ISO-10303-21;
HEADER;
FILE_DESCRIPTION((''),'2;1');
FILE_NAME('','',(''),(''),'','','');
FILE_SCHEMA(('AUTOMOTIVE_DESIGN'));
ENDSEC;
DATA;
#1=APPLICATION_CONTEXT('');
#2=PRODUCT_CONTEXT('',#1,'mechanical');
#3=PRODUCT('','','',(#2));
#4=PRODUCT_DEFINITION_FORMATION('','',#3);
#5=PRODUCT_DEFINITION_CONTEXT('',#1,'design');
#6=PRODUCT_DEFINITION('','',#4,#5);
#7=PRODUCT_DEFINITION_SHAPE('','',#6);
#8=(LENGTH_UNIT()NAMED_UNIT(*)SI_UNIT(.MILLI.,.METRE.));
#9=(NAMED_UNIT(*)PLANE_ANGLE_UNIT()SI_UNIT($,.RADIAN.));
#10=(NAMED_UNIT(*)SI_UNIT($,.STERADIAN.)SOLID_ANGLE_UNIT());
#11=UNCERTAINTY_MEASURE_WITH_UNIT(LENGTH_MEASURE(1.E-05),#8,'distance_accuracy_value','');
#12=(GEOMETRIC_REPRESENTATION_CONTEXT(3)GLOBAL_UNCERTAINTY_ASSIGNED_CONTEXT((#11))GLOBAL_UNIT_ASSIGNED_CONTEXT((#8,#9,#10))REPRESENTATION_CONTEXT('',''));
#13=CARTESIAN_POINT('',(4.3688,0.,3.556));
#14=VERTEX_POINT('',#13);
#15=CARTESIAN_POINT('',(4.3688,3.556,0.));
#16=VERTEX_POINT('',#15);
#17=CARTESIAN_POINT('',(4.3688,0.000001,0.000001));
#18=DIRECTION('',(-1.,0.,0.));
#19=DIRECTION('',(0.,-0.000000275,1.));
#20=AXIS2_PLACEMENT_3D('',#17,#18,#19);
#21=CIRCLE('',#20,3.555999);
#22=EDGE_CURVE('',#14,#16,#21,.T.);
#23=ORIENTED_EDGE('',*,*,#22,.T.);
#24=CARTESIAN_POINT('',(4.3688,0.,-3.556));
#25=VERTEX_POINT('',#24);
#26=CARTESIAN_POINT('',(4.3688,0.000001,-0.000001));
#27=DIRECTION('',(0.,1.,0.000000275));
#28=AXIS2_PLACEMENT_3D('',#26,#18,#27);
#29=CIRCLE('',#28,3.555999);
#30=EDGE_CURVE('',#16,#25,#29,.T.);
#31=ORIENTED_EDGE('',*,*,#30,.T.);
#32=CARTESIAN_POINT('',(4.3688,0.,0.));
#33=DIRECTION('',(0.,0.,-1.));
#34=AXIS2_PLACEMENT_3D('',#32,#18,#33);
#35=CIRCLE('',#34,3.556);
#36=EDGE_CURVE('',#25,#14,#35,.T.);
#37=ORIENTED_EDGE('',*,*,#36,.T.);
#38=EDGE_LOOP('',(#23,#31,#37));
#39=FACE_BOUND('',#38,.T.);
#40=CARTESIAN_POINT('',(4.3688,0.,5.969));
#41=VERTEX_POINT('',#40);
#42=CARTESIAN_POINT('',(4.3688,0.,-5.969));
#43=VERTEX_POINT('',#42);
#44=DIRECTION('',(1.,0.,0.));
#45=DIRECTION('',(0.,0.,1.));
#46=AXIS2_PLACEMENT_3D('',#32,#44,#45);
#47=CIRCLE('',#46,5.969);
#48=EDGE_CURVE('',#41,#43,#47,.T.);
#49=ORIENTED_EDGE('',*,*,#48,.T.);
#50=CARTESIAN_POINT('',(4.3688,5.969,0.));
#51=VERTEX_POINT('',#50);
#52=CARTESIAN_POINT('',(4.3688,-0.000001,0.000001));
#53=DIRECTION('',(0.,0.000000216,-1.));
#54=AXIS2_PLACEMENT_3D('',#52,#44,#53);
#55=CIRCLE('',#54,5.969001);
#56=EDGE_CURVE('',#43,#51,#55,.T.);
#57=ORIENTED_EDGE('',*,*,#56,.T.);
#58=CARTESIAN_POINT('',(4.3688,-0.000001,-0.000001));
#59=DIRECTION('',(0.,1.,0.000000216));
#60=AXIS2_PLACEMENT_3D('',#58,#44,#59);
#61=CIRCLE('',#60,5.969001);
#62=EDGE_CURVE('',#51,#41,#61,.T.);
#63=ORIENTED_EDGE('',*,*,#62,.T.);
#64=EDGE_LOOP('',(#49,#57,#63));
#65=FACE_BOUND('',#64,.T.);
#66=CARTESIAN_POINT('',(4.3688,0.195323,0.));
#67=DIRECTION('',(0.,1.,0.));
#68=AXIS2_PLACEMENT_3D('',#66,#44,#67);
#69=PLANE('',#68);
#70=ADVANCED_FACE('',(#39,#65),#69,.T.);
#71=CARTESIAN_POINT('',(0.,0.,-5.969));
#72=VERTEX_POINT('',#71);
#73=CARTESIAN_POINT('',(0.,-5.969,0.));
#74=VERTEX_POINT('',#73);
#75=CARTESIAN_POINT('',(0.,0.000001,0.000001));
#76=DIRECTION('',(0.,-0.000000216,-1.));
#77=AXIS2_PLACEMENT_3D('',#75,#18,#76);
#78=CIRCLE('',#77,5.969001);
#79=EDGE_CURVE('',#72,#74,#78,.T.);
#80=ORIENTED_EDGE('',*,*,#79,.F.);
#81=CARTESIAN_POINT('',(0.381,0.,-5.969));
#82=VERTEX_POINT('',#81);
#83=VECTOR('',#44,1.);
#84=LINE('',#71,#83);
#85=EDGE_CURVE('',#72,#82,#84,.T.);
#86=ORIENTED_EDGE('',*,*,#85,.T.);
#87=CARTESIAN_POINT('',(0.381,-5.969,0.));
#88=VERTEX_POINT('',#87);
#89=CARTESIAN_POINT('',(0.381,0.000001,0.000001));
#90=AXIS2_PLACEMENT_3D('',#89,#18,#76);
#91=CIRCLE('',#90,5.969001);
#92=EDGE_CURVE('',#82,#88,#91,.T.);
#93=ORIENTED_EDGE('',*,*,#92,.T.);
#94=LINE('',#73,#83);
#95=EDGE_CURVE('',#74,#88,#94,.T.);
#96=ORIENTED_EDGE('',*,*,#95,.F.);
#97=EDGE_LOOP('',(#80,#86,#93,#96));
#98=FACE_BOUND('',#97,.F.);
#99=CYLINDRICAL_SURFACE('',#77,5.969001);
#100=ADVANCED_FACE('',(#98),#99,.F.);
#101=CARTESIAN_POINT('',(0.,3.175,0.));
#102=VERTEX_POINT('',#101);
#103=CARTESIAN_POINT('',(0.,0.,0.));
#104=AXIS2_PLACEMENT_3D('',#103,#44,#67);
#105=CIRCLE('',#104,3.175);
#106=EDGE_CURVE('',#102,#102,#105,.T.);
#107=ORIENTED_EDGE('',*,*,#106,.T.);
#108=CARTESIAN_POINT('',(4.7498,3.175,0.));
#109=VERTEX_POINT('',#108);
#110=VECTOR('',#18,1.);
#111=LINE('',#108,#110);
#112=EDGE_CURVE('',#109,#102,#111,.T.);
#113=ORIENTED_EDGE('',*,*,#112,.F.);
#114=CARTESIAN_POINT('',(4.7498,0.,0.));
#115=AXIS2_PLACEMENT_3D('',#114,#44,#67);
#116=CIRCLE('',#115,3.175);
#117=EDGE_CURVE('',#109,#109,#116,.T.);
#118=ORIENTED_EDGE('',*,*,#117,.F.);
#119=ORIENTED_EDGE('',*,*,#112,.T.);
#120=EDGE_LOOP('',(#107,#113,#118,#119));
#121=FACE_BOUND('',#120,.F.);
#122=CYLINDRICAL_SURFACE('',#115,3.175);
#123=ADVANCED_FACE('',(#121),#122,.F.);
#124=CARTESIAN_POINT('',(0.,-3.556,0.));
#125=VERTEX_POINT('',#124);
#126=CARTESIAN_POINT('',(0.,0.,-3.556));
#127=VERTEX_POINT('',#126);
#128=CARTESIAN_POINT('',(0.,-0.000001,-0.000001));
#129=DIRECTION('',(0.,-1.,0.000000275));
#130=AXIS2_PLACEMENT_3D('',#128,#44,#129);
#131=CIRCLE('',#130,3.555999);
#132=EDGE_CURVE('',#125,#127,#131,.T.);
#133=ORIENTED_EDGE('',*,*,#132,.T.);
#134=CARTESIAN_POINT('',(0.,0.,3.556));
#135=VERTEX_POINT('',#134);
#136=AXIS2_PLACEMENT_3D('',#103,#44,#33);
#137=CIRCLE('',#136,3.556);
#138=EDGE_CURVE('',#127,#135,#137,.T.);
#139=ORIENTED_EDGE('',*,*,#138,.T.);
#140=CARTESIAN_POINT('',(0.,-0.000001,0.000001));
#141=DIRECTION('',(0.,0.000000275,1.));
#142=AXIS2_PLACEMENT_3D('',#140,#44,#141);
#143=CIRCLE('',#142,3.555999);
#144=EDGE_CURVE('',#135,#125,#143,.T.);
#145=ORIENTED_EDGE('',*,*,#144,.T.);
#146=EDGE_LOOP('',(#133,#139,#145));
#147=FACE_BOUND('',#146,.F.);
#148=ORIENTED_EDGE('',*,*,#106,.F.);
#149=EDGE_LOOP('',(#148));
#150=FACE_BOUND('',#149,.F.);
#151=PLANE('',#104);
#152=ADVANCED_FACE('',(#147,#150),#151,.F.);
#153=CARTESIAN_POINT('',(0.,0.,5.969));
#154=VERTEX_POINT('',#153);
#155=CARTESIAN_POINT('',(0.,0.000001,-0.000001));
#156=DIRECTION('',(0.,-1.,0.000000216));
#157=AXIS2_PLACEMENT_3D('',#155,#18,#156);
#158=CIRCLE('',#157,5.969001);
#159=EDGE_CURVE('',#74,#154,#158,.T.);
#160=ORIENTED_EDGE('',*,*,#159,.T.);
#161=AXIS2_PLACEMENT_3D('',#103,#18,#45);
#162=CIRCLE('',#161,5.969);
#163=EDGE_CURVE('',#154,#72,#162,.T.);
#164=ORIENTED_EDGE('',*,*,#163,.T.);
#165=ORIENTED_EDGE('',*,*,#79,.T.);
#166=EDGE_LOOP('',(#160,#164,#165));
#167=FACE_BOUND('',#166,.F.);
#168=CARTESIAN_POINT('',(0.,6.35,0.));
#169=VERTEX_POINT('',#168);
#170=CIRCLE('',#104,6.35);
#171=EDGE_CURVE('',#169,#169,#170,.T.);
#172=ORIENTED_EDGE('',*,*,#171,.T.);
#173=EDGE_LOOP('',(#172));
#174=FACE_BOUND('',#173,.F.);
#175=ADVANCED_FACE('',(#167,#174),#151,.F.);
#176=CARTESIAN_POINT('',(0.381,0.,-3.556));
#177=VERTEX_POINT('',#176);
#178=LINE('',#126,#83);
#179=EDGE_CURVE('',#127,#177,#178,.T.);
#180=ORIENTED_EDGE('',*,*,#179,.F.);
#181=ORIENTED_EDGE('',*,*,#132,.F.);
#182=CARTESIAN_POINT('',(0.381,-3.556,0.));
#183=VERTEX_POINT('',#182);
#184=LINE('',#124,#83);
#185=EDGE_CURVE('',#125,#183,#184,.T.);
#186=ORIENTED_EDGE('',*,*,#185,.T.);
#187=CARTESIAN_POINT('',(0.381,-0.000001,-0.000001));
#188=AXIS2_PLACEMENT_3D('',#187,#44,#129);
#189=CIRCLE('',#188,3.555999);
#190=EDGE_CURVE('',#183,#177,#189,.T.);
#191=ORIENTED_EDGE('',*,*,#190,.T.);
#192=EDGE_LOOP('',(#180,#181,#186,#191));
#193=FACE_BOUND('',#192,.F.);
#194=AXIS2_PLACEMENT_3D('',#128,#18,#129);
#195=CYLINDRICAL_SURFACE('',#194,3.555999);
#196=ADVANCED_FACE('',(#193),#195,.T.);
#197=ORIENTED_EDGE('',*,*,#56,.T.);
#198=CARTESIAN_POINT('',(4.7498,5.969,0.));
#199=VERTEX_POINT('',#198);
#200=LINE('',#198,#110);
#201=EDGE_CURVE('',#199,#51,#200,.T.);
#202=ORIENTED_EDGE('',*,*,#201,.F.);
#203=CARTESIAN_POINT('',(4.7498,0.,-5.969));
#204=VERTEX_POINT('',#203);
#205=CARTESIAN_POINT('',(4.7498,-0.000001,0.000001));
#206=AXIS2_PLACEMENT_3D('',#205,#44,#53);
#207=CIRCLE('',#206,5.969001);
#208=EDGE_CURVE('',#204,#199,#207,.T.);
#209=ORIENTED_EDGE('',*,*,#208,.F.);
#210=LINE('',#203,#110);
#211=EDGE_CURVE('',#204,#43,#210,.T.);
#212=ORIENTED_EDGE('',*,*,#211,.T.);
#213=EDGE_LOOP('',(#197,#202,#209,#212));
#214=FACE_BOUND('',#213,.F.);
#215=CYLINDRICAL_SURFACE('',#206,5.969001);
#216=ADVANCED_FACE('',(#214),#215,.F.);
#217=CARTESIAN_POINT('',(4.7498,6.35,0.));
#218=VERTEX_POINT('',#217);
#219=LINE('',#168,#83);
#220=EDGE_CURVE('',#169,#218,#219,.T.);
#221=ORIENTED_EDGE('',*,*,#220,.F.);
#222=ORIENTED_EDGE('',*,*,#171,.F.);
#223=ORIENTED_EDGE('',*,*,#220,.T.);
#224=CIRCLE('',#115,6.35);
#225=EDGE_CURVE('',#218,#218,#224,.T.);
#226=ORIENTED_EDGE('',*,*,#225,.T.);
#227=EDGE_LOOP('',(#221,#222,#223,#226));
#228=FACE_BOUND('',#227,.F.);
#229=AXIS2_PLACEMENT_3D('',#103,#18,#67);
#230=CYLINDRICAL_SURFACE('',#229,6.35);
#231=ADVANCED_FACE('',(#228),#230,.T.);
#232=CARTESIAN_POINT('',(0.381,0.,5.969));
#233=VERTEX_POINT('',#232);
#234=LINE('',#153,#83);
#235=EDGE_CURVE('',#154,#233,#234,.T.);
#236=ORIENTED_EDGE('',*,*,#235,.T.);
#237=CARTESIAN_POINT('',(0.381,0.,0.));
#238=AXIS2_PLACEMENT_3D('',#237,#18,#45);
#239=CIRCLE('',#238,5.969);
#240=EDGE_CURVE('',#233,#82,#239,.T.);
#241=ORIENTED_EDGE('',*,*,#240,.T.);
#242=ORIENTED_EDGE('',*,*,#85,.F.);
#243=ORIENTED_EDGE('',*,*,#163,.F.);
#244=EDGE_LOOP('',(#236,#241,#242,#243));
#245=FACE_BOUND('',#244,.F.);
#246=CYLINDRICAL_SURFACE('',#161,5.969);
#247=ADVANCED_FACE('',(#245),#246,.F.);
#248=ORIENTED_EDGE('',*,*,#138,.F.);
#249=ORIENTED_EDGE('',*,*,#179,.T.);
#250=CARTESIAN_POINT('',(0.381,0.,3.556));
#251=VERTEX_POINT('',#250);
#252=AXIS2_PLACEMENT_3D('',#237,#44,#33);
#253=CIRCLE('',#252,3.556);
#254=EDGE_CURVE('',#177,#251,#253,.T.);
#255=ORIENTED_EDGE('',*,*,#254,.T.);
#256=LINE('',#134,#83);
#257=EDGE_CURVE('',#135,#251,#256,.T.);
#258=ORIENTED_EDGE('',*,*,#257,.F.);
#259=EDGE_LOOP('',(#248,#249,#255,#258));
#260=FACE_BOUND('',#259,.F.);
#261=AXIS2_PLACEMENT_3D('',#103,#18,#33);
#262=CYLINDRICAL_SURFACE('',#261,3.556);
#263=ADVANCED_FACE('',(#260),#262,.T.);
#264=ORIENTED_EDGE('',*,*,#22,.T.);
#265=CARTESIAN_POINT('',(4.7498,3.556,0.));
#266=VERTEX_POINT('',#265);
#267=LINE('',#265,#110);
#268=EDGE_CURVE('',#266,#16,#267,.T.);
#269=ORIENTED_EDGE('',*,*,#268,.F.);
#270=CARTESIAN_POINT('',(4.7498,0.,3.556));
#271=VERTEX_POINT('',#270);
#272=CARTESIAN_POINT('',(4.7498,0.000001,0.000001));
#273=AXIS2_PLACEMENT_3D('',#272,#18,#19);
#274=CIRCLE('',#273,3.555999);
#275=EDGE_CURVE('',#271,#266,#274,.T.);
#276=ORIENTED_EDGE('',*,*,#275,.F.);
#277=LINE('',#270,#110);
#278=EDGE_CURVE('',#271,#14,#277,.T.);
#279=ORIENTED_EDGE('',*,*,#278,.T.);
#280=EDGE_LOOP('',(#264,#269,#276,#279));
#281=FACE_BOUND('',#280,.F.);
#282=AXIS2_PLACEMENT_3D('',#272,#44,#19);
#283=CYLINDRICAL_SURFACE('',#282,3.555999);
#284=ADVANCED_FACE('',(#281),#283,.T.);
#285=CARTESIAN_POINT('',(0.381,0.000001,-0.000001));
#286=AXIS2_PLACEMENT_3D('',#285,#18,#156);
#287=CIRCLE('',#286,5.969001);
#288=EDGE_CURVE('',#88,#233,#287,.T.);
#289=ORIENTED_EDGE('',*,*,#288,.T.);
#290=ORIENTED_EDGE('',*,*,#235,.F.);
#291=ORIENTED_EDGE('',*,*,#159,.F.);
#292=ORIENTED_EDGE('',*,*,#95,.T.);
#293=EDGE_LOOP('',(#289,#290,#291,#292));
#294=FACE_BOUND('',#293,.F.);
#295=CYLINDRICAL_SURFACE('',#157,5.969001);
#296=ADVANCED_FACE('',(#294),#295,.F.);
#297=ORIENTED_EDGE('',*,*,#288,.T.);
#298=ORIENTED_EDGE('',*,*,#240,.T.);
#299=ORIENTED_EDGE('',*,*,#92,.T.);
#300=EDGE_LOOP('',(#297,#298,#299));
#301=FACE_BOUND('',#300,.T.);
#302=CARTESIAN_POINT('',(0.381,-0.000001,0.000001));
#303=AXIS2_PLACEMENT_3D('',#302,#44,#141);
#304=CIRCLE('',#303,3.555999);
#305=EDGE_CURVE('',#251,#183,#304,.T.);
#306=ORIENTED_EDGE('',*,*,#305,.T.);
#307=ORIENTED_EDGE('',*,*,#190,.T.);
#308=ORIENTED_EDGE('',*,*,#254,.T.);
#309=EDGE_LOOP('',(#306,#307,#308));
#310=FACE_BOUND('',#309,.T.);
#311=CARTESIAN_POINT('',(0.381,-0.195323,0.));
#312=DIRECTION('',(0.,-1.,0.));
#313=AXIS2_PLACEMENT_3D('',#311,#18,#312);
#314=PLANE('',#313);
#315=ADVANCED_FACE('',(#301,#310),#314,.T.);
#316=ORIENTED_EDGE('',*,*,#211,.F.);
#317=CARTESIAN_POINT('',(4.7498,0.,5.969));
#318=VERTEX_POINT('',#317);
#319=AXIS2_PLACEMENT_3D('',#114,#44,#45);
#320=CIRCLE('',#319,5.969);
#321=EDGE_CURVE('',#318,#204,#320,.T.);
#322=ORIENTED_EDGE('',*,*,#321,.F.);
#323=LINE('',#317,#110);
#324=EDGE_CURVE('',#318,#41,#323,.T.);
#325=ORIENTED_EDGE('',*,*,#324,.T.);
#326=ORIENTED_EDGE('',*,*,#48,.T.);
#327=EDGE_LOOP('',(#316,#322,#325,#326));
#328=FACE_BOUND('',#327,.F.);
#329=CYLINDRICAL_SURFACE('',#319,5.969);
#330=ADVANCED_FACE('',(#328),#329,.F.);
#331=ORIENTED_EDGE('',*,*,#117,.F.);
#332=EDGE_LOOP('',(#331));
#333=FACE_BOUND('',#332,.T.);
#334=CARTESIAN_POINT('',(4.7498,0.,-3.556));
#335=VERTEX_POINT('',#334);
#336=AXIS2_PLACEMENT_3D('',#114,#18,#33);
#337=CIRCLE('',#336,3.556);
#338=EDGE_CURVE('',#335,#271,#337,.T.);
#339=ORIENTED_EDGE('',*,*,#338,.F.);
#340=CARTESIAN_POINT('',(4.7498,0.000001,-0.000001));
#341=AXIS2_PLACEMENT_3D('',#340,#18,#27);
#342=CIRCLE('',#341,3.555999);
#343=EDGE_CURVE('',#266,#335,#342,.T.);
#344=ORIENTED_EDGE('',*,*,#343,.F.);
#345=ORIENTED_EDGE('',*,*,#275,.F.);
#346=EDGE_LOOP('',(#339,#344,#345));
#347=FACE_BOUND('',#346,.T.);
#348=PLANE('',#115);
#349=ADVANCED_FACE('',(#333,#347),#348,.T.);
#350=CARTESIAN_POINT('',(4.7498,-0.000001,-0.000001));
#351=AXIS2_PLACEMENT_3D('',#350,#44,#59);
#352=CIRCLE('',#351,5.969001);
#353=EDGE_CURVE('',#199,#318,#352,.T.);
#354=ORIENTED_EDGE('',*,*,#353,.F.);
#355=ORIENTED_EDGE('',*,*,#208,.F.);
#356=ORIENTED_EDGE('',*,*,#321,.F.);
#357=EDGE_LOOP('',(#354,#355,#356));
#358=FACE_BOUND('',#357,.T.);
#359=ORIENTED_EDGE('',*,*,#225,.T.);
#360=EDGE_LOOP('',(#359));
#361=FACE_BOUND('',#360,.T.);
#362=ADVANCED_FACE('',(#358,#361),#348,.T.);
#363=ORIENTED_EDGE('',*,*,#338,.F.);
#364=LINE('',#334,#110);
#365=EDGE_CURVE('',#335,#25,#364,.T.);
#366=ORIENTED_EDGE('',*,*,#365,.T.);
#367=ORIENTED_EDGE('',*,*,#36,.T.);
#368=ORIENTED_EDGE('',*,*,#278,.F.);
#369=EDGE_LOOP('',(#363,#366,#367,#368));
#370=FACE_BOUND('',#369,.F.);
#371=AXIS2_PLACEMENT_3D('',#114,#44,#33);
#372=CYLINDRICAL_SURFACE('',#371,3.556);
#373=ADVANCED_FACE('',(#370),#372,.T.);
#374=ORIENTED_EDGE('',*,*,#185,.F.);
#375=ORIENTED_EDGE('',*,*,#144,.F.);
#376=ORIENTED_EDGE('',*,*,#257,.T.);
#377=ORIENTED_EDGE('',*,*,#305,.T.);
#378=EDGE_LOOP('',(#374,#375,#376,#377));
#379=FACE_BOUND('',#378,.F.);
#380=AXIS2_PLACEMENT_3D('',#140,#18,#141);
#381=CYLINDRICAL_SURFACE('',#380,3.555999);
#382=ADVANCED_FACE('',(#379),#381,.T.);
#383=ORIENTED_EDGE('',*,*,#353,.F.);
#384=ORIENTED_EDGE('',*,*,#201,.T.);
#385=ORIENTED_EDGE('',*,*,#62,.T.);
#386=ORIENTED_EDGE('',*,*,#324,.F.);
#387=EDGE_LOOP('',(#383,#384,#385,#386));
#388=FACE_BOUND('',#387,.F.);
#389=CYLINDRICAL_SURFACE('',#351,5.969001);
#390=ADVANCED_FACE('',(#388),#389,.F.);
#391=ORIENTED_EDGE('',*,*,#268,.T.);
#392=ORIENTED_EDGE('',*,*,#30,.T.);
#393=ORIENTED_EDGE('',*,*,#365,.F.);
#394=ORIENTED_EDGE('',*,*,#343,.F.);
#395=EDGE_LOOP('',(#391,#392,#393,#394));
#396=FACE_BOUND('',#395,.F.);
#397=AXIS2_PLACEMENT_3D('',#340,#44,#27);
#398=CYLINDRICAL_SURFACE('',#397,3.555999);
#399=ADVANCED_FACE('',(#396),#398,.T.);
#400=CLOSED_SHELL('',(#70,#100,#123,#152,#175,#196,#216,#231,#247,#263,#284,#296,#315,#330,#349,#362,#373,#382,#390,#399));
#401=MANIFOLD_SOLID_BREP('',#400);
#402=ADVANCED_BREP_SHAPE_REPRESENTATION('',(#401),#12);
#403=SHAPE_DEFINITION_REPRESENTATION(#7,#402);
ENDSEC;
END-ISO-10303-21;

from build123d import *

# Parameters (mm, degrees)
F0_R     = 6.35
F1_DEPTH = 4.7498
F2_R     = 3.175
F3_DEPTH = 25.4
F5_DEPTH = 0.381
F7_DEPTH = 0.381


with BuildPart() as f1:
    # F0 (on Right) → F1 (new body)
    with BuildSketch(Plane.YZ):
        Circle(F0_R)
    extrude(amount=F1_DEPTH)

    # F2 (on face) → F3 (cut)
    with BuildSketch(Plane.YZ.offset(4.7498)):
        Circle(F2_R)
    extrude(amount=-F3_DEPTH, mode=Mode.SUBTRACT)

    # F4 (on face) → F5 (cut)
    with BuildSketch(Plane(origin=(0, 0, 0), x_dir=(0, -1, 0), z_dir=(-1, 0, 0))):
        with BuildLine():
            ThreePointArc((0, -5.969), (4.22072, -4.22072), (5.969, 0))
            ThreePointArc((5.969, 0), (4.22072, 4.22072), (0, 5.969))
            ThreePointArc((0, 5.969), (-5.969, 0), (0, -5.969))
        make_face()
        with BuildLine():
            ThreePointArc((0, 3.556), (2.514472, 2.514472), (3.556, 0))
            ThreePointArc((3.556, 0), (2.514472, -2.514472), (0, -3.556))
            ThreePointArc((0, -3.556), (-3.556, 0), (0, 3.556))
        make_face(mode=Mode.SUBTRACT)
    extrude(amount=-F5_DEPTH, mode=Mode.SUBTRACT)

    # F6 (on face) → F7 (cut)
    with BuildSketch(Plane.YZ.offset(4.7498)):
        with BuildLine():
            ThreePointArc((0, -5.969), (4.22072, -4.22072), (5.969, 0))
            ThreePointArc((5.969, 0), (4.22072, 4.22072), (0, 5.969))
            ThreePointArc((0, 5.969), (-5.969, 0), (0, -5.969))
        make_face()
        with BuildLine():
            ThreePointArc((0, 3.556), (2.514472, 2.514472), (3.556, 0))
            ThreePointArc((3.556, 0), (2.514472, -2.514472), (0, -3.556))
            ThreePointArc((0, -3.556), (-3.556, 0), (0, 3.556))
        make_face(mode=Mode.SUBTRACT)
    extrude(amount=-F7_DEPTH, mode=Mode.SUBTRACT)


solid = f1.part
